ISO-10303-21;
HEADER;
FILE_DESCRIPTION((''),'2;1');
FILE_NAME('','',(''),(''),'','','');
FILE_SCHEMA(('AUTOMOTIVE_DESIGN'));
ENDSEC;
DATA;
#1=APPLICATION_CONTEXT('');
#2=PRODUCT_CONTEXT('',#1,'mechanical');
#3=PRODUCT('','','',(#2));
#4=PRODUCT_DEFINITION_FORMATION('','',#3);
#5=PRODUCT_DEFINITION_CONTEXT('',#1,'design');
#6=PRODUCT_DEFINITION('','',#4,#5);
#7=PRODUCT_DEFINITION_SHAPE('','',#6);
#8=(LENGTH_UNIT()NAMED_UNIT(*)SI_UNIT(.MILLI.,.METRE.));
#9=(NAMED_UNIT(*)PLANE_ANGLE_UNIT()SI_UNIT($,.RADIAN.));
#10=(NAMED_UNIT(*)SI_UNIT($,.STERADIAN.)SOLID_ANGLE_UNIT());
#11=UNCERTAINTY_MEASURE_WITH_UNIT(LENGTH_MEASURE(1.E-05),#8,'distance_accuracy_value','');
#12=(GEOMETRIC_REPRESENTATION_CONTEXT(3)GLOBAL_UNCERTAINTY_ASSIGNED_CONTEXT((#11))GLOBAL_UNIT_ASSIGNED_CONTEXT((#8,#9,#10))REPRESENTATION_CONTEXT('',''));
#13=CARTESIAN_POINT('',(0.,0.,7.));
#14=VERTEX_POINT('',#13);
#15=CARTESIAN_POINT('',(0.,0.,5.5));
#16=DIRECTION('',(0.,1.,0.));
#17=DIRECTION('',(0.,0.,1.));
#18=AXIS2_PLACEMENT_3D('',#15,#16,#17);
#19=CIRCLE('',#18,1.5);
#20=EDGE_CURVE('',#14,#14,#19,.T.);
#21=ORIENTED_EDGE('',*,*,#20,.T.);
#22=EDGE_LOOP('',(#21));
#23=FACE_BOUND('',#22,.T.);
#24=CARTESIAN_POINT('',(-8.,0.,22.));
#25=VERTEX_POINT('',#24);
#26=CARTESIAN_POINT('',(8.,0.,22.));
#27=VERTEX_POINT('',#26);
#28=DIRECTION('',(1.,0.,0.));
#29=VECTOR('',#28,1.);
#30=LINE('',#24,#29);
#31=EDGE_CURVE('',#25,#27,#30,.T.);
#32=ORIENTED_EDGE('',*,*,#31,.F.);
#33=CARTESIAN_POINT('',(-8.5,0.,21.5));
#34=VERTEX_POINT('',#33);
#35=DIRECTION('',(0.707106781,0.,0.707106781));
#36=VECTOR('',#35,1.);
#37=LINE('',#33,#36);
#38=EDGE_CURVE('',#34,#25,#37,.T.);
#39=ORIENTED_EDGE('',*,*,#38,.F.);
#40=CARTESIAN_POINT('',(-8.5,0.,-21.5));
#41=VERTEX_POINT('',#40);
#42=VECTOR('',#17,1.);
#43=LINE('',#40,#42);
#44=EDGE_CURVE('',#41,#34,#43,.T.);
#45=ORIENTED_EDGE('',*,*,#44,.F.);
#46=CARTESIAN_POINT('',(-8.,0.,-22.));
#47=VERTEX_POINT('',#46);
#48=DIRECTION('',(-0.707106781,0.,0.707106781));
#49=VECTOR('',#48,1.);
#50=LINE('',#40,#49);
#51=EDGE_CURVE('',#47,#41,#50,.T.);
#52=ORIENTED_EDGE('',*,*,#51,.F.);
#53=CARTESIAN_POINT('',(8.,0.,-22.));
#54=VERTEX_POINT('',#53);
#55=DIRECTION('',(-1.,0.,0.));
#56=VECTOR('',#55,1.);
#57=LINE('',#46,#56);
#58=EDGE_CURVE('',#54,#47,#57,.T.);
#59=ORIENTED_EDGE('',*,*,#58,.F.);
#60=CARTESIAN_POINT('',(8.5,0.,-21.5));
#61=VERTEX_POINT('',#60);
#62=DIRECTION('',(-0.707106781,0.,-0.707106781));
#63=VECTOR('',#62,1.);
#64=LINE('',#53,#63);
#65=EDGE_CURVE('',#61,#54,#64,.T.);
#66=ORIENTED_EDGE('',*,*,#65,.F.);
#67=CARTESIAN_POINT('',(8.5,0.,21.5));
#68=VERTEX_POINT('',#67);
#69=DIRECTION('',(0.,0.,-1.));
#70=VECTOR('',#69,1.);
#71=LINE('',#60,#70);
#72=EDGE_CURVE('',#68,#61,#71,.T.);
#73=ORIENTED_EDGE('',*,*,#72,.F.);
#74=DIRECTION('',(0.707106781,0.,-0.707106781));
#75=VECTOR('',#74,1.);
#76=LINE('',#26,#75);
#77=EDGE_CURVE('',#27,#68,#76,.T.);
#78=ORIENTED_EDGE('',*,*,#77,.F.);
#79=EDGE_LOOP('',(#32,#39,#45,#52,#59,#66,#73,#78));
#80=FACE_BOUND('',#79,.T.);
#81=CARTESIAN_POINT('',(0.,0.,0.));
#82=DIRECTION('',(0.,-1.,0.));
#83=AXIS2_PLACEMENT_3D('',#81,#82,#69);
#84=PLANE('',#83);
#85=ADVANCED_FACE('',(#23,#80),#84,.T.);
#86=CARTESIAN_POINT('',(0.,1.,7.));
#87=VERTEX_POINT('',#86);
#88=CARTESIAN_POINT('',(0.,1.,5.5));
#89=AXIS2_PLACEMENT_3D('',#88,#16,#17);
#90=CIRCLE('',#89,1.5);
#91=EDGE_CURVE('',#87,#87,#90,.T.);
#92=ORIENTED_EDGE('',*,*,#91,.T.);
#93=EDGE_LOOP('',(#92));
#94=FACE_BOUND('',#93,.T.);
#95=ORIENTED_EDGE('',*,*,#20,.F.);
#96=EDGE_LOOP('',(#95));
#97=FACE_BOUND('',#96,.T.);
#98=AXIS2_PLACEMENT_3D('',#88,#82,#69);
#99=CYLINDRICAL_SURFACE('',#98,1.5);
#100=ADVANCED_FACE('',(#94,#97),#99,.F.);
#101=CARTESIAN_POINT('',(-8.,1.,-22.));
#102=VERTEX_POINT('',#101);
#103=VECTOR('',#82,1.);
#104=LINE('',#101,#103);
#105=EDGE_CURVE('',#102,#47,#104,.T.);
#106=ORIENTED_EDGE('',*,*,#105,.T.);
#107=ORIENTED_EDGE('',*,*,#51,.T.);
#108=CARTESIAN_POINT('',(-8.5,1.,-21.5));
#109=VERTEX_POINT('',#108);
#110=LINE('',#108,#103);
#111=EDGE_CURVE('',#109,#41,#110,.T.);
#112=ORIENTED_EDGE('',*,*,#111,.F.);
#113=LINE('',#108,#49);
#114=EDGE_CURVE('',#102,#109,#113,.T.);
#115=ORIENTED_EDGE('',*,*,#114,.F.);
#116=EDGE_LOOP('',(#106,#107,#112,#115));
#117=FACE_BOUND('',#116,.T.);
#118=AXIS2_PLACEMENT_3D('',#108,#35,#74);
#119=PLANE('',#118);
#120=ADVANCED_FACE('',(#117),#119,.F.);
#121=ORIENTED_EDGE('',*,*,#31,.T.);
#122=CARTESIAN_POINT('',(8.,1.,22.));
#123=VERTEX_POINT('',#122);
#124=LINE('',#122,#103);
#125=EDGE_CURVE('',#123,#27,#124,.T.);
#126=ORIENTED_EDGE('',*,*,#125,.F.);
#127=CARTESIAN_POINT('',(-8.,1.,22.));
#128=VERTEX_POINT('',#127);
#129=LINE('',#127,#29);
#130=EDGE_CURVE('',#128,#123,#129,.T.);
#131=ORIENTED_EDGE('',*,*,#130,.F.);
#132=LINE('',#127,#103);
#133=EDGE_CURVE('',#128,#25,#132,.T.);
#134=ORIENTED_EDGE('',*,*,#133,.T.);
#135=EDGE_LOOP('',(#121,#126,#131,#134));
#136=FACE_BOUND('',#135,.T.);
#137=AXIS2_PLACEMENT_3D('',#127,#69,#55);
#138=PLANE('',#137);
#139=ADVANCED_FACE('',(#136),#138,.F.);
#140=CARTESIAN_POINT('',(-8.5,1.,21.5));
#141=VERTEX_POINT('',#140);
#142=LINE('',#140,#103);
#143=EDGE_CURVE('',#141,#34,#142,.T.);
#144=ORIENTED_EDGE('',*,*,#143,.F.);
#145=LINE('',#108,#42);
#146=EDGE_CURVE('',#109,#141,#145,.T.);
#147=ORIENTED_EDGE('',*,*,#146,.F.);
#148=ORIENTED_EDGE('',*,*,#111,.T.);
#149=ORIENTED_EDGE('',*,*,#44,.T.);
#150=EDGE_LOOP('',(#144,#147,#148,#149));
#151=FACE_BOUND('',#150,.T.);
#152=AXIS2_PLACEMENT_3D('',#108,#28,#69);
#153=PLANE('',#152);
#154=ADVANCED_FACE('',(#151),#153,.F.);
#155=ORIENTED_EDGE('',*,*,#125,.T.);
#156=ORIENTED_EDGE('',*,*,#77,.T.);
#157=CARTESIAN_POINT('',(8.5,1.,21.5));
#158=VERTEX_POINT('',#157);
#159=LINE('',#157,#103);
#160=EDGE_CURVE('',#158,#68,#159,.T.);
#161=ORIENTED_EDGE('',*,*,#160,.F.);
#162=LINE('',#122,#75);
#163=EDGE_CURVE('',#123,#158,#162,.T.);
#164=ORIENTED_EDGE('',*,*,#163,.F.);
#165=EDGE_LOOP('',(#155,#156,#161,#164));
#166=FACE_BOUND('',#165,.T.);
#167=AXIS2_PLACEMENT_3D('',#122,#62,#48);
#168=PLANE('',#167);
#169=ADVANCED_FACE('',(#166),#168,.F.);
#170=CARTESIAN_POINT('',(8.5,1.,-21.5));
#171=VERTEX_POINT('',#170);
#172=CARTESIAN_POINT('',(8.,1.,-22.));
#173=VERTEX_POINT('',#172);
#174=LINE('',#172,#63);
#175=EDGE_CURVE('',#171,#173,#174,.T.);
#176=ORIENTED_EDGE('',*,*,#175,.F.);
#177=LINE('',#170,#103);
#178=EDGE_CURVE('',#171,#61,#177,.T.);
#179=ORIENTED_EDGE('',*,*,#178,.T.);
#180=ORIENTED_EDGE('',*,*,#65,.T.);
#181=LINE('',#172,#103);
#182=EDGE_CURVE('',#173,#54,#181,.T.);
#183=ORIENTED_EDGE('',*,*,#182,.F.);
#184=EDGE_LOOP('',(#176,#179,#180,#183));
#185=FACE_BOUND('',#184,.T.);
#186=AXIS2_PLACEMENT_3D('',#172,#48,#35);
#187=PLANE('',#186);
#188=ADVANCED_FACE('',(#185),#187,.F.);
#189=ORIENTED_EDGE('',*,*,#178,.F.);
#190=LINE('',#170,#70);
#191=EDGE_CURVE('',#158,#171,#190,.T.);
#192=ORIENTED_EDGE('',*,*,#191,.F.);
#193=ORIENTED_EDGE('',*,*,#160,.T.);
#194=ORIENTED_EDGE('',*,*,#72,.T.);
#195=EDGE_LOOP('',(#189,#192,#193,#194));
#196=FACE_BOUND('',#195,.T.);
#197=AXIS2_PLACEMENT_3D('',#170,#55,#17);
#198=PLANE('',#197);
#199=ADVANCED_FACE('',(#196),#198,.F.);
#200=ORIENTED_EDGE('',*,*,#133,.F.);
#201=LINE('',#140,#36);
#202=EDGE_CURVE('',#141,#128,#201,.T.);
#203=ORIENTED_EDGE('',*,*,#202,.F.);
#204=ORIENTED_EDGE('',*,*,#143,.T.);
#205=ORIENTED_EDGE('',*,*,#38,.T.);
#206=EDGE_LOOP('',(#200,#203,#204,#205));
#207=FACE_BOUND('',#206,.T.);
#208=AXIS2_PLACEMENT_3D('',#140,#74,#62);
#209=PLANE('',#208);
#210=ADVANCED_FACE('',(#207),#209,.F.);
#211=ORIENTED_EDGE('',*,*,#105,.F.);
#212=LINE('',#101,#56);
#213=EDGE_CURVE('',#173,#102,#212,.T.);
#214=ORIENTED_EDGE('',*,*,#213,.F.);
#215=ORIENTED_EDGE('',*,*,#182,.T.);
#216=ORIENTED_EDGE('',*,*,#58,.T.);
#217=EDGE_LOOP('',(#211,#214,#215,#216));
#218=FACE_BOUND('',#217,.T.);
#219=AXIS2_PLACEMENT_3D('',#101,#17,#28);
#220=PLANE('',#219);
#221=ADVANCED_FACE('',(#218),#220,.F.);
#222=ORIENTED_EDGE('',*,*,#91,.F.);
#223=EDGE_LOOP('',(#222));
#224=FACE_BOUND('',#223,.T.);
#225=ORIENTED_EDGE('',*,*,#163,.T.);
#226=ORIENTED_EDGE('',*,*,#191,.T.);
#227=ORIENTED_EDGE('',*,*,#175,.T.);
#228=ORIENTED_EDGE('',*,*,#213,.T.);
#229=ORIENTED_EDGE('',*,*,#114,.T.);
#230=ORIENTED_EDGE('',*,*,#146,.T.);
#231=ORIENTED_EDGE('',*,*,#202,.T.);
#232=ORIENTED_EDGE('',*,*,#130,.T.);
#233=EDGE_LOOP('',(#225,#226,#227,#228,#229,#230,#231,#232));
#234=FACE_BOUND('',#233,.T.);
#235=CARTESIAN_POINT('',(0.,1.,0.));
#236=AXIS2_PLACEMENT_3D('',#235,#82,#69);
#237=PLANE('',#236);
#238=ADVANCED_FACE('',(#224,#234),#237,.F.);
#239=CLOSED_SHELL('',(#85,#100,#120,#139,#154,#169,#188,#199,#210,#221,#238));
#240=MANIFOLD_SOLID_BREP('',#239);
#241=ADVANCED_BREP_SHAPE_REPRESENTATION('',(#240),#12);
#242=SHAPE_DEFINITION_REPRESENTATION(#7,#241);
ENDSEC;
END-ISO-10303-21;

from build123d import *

# Parameters (mm, degrees)
CROQUIS1_R              = 1.5
SALIENTE_EXTRUIR1_DEPTH = 1


with BuildPart() as part:
    # Croquis1 → Saliente-Extruir1 (new body)
    with BuildSketch(Plane(origin=(0, 0, 0), x_dir=(1, 0, 0), z_dir=(0, 1, 0))):
        Polygon((8, 22), (8.5, 21.5), (8.5, -21.5), (8, -22), (-8, -22), (-8.5, -21.5), (-8.5, 21.5), (-8, 22), align=None)
        with Locations(Location((0, -5.5, 0), (0, 0, 270))):
            Circle(CROQUIS1_R, mode=Mode.SUBTRACT)
    extrude(amount=SALIENTE_EXTRUIR1_DEPTH)


solid = part.part
